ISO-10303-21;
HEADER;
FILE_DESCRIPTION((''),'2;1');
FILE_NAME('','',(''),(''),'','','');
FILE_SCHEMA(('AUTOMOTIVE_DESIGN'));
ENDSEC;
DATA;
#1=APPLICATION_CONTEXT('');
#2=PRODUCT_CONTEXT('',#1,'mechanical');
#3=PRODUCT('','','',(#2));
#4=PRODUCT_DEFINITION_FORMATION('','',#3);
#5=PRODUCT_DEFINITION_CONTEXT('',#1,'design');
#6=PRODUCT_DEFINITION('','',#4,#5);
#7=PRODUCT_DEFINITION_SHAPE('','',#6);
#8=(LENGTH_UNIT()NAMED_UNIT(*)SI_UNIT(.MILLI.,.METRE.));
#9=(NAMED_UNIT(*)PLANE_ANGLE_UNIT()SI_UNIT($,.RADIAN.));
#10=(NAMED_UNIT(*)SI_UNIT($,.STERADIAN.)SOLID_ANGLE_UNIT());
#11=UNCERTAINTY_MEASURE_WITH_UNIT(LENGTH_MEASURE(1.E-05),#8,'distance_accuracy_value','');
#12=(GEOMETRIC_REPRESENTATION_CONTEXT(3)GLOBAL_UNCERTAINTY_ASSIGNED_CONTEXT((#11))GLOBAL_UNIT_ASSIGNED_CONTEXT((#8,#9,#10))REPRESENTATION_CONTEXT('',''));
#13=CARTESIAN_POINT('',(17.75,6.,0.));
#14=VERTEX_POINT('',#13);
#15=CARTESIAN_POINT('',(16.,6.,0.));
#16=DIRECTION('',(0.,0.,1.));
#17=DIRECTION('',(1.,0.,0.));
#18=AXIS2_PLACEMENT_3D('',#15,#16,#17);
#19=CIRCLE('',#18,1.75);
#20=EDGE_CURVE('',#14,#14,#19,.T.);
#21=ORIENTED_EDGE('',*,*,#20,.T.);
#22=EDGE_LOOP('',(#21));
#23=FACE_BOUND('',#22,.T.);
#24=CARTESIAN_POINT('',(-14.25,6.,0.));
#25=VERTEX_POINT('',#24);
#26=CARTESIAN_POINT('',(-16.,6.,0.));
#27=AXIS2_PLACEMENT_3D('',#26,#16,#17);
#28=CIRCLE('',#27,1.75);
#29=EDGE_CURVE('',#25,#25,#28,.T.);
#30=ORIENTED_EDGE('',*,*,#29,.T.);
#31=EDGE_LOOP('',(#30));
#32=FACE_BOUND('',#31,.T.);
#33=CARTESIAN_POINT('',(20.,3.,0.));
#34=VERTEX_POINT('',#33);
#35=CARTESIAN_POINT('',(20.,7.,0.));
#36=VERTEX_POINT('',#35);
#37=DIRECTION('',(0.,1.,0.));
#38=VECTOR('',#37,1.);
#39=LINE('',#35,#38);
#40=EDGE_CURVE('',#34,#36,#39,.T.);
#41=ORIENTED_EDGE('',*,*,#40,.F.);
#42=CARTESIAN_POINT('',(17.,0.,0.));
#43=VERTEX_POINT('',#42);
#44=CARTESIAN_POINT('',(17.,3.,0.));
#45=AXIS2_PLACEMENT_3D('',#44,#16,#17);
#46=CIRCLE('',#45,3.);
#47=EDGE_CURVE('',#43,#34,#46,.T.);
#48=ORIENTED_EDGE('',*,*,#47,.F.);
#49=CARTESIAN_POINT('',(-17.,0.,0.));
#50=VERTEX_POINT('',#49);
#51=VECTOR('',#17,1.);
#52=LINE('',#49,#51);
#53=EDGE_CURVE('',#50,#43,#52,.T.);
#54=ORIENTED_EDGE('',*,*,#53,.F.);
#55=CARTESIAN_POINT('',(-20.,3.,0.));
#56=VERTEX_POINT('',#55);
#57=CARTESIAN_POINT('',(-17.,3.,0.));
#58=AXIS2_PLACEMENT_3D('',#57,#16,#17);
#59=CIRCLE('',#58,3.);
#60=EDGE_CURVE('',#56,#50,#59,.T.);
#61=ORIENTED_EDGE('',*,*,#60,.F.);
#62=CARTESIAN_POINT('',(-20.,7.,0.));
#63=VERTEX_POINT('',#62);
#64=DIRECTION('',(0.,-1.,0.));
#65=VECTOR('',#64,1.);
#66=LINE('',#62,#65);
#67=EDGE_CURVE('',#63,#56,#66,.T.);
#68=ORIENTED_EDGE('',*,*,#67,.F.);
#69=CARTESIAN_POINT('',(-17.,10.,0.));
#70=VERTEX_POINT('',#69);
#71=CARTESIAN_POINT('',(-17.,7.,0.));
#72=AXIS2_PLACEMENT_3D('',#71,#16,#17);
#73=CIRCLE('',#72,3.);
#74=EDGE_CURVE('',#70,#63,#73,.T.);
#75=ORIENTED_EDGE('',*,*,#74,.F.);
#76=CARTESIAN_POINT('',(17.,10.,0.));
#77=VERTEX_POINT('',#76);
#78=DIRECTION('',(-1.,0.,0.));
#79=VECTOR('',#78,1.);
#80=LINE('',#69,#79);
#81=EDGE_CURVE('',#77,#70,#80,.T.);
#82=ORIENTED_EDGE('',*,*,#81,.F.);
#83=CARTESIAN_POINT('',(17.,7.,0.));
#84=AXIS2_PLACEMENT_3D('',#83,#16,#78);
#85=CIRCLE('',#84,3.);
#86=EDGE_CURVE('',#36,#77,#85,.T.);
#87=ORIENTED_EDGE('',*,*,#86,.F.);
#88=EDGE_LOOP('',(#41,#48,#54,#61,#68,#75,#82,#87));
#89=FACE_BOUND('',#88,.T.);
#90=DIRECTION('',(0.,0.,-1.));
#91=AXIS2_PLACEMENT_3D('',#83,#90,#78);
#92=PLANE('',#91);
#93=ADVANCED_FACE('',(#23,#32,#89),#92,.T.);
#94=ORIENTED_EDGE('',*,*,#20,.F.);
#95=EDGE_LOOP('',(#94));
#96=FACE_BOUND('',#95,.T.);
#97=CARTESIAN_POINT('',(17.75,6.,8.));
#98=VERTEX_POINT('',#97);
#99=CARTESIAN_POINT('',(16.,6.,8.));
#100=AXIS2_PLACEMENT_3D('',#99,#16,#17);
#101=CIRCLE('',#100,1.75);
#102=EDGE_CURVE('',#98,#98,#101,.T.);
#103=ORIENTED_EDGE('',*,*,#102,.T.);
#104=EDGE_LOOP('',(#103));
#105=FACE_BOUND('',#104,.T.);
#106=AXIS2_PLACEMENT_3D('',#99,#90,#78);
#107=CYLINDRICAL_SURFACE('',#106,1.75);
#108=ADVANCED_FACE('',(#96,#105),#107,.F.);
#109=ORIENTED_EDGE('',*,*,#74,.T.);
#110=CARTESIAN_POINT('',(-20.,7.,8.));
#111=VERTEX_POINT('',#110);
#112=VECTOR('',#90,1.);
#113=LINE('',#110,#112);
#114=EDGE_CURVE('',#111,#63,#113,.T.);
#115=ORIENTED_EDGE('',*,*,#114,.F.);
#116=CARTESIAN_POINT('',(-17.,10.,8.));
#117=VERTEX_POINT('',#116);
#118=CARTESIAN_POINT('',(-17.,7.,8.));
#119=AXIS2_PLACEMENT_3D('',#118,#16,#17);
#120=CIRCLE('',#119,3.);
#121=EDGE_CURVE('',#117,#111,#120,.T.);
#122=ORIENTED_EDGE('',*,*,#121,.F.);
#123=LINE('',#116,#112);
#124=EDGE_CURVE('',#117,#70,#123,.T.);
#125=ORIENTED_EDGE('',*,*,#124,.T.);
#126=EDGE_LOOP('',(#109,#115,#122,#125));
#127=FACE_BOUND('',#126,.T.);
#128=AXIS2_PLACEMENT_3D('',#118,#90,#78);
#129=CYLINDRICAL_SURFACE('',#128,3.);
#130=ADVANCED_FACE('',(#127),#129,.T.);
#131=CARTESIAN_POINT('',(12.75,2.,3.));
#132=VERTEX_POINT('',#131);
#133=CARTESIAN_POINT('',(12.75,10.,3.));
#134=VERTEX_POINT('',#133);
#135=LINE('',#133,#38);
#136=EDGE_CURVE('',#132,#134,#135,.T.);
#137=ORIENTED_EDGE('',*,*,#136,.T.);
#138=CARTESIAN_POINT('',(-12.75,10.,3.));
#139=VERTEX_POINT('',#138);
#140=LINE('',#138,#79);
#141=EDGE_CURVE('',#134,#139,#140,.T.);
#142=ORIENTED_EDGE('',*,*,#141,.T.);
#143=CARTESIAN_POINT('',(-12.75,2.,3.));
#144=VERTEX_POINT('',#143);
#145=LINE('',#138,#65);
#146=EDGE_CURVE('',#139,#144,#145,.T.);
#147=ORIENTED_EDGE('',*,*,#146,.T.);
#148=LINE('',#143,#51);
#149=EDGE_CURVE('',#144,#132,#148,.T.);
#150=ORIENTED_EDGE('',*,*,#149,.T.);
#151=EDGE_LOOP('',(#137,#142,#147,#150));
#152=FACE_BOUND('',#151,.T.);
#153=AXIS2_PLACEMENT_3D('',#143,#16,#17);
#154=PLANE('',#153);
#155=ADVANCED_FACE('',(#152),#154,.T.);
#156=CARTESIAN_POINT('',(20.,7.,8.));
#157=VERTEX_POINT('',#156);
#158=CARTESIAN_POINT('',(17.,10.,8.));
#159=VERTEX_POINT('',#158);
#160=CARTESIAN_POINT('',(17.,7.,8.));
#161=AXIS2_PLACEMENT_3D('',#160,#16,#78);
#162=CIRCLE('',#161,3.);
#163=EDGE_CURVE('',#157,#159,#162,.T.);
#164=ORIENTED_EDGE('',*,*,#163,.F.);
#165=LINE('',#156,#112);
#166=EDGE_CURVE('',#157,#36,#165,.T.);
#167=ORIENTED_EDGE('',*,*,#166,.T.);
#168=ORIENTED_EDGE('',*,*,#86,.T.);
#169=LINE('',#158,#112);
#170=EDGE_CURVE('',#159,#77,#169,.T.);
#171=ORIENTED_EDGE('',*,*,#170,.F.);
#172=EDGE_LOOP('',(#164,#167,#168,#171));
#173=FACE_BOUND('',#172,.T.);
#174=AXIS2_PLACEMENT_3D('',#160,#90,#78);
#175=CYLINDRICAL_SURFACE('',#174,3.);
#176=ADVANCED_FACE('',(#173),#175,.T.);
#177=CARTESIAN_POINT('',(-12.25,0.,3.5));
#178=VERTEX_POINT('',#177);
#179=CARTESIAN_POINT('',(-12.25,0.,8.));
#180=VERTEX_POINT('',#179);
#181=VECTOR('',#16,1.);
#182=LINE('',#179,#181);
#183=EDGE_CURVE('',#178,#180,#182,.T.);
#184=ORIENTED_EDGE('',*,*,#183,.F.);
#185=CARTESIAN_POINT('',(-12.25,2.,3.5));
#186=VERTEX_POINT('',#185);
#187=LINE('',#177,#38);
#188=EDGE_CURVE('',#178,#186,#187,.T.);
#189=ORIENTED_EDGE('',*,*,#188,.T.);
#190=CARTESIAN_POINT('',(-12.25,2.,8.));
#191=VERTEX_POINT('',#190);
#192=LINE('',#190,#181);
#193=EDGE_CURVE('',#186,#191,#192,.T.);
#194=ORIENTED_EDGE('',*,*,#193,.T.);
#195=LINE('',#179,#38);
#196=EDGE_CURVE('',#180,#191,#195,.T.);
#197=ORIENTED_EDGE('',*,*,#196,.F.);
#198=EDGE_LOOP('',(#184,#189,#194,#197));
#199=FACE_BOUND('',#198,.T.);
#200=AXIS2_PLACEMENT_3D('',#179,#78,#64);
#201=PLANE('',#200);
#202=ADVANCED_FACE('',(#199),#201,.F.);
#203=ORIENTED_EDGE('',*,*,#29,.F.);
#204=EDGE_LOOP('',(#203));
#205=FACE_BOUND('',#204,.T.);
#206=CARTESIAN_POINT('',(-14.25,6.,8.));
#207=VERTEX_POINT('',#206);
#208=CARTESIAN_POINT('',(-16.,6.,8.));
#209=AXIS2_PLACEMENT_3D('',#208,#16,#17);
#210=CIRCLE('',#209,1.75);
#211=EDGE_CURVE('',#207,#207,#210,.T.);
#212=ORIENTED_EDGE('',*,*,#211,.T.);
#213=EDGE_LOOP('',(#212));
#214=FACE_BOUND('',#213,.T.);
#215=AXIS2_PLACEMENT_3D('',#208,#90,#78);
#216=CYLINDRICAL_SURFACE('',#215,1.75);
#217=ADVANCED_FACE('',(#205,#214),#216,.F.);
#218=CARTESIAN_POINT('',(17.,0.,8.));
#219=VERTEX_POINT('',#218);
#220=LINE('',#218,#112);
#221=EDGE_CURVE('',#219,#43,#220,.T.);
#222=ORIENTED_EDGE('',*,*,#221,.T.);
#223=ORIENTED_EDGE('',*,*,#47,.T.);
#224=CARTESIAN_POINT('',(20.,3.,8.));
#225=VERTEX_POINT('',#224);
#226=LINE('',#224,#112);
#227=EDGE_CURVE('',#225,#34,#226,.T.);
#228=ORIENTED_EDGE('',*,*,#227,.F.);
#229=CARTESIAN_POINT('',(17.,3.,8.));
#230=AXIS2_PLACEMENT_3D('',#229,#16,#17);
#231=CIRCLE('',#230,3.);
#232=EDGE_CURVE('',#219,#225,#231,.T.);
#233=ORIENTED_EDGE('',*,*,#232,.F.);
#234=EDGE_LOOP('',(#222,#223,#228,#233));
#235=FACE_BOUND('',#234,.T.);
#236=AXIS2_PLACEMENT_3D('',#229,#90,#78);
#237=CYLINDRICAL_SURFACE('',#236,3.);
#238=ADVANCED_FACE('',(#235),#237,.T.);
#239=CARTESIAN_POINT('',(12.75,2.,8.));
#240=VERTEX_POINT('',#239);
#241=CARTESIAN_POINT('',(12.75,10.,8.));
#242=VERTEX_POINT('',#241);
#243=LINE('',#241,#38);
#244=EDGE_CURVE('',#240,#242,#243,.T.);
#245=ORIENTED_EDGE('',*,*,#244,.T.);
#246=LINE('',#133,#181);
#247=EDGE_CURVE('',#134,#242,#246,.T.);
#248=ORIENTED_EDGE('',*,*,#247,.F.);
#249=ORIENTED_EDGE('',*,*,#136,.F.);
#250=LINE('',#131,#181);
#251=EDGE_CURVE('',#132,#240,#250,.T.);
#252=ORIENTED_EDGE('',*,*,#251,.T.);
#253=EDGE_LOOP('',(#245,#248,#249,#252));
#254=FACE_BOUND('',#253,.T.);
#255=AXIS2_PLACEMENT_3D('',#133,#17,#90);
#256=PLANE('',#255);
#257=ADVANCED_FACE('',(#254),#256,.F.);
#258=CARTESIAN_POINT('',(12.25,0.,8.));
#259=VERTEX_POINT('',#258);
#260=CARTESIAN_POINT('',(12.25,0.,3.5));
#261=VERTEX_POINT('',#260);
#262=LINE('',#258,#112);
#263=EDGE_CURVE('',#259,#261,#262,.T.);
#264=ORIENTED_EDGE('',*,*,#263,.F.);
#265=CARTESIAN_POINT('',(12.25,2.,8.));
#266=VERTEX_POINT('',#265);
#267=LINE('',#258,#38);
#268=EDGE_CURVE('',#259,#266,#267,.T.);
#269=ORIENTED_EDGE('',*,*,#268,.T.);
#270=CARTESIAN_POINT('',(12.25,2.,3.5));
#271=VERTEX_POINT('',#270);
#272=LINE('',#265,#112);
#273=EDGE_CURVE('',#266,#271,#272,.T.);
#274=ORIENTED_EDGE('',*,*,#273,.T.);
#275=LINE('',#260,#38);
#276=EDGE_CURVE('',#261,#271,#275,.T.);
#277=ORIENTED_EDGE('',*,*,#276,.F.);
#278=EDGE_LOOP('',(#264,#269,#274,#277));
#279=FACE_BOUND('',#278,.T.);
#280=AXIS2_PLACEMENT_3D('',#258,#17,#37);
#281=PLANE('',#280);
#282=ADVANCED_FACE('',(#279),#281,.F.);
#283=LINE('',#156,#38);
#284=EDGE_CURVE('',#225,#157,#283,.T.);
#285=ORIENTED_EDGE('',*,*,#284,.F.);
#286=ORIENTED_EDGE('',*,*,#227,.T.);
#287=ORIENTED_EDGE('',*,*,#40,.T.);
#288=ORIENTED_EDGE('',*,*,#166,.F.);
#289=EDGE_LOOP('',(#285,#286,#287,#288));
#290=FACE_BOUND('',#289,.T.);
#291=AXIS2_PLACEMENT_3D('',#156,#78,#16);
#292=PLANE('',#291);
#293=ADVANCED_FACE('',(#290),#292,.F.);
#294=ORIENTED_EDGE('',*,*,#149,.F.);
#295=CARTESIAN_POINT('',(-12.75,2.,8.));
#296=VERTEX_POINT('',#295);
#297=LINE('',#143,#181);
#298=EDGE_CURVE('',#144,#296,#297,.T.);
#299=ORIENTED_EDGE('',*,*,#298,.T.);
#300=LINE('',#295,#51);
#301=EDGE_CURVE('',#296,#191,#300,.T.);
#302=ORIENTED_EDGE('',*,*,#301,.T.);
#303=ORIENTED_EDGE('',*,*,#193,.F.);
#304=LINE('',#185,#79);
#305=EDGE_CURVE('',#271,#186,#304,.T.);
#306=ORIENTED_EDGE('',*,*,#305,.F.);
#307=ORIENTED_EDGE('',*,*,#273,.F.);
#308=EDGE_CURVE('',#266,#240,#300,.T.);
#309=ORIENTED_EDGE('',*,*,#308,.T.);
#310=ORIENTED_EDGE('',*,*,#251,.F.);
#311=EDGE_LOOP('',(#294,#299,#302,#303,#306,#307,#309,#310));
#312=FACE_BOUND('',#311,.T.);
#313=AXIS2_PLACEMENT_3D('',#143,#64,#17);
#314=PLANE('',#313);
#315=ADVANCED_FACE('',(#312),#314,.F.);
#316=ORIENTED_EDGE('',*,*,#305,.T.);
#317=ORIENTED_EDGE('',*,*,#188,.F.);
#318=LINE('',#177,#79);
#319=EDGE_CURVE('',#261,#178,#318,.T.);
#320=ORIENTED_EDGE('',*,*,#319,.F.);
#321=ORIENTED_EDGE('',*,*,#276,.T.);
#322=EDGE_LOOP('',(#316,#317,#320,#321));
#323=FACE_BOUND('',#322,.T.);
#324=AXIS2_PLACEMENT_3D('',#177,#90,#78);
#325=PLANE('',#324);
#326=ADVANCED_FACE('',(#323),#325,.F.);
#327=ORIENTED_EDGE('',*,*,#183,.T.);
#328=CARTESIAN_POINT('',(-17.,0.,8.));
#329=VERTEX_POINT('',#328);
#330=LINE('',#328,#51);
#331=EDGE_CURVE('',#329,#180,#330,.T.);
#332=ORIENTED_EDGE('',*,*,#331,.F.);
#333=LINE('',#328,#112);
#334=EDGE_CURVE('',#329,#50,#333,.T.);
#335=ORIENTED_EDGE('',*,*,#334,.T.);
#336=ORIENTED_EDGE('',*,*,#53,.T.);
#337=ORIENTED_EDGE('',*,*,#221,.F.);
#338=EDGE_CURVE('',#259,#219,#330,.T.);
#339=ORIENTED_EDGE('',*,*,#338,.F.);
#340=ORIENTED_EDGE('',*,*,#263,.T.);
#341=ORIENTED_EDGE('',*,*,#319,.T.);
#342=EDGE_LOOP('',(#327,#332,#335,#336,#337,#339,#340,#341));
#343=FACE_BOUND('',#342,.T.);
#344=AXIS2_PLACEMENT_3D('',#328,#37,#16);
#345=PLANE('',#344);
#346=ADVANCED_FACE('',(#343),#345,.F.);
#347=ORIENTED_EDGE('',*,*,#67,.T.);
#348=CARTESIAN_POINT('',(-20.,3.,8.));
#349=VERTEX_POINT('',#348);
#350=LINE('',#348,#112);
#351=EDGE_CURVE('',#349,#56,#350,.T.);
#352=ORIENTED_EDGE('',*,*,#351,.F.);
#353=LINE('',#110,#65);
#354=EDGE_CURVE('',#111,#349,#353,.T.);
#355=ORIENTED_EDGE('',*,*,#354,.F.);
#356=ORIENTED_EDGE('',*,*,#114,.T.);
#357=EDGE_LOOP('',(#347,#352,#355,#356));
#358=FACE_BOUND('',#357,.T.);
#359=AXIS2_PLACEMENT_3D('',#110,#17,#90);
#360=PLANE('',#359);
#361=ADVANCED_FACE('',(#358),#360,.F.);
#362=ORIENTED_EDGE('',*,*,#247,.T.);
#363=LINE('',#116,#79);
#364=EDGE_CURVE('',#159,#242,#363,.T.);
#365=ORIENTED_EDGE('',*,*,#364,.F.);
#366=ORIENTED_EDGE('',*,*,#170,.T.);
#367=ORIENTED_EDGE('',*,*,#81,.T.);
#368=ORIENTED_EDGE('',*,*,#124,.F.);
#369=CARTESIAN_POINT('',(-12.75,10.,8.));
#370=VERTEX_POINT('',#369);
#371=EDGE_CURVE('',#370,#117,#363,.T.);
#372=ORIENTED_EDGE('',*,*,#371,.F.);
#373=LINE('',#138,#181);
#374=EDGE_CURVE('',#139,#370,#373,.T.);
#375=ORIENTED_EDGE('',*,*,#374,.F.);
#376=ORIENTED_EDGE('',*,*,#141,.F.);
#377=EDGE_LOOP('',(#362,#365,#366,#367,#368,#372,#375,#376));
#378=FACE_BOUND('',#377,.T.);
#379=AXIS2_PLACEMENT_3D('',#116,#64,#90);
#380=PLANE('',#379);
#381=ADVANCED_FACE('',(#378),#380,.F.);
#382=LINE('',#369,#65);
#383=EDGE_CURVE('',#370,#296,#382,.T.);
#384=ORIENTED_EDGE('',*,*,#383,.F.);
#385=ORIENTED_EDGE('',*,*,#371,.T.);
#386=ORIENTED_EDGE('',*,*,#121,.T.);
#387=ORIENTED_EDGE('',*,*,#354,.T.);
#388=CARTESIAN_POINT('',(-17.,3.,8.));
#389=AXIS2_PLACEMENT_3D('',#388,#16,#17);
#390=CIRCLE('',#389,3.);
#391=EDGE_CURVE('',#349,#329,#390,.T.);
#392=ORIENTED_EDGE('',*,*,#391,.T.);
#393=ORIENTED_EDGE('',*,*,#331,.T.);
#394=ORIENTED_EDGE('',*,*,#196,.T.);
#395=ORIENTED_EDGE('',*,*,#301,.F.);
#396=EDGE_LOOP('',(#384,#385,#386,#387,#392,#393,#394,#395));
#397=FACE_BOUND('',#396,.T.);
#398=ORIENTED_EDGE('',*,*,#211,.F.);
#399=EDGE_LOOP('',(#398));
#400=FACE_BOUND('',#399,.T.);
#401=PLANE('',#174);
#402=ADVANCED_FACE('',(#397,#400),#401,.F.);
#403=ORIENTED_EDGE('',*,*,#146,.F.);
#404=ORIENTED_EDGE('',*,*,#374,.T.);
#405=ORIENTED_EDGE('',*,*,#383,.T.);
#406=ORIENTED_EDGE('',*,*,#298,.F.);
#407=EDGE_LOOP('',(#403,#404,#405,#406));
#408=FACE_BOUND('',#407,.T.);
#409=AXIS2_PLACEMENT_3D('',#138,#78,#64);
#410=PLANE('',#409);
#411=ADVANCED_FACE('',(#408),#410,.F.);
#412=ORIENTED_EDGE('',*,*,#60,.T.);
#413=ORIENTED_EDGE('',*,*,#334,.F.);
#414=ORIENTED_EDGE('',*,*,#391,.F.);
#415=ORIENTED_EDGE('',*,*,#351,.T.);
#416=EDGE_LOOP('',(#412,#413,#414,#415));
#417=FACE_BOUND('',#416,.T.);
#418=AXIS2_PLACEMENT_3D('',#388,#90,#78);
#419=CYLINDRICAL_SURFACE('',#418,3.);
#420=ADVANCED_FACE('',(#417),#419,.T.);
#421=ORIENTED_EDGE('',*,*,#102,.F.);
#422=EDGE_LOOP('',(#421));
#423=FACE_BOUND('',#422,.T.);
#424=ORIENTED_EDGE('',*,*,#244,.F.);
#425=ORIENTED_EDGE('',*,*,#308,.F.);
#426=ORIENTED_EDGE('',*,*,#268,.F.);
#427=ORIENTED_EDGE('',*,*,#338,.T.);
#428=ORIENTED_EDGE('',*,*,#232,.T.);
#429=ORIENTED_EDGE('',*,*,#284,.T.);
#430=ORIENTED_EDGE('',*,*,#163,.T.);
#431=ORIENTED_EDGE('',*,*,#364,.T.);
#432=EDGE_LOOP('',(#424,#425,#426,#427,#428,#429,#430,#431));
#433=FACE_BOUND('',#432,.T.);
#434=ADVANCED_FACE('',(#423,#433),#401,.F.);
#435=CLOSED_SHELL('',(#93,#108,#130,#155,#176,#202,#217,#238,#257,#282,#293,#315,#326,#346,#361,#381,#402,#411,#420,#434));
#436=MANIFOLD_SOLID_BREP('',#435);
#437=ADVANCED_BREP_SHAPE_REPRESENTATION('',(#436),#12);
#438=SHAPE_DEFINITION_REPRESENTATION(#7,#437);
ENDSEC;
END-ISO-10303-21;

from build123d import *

# Parameters (mm, degrees)
SKETCH1_R           = 1.75
BOSS_EXTRUDE1_DEPTH = 8
SKETCH2_W           = 25.5
SKETCH2_H           = 8
CUT_EXTRUDE1_DEPTH  = 5
SKETCH3_W           = 24.5
SKETCH3_H           = 4.5
CUT_EXTRUDE2_DEPTH  = 3


with BuildPart() as part:
    # Sketch1 → Boss-Extrude1 (new body)
    with BuildSketch(Plane.XY):
        with BuildLine():
            Line((-17, 10), (17, 10))
            ThreePointArc((17, 10), (19.121320344, 9.121320344), (20, 7))
            Line((20, 7), (20, 3))
            ThreePointArc((20, 3), (19.121320344, 0.878679656), (17, 0))
            Line((17, 0), (-17, 0))
            ThreePointArc((-17, 0), (-19.121320344, 0.878679656), (-20, 3))
            Line((-20, 3), (-20, 7))
            ThreePointArc((-20, 7), (-19.121320344, 9.121320344), (-17, 10))
        make_face()
        with Locations((-16, 6)):
            Circle(SKETCH1_R, mode=Mode.SUBTRACT)
        with Locations((16, 6)):
            Circle(SKETCH1_R, mode=Mode.SUBTRACT)
    extrude(amount=BOSS_EXTRUDE1_DEPTH)

    # Sketch2 → Cut-Extrude1 (cut)
    with BuildSketch(Plane.XY.offset(8)):
        with Locations((0, 6)):
            Rectangle(SKETCH2_W, SKETCH2_H)
    extrude(amount=-CUT_EXTRUDE1_DEPTH, mode=Mode.SUBTRACT)

    # Sketch3 → Cut-Extrude2 (cut, through all)
    with BuildSketch(Plane(origin=(0, 2, 0), x_dir=(1, 0, 0), z_dir=(0, 1, 0))):
        with Locations((0, -5.75)):
            Rectangle(SKETCH3_W, SKETCH3_H)
    extrude(amount=-CUT_EXTRUDE2_DEPTH, mode=Mode.SUBTRACT)


solid = part.part
